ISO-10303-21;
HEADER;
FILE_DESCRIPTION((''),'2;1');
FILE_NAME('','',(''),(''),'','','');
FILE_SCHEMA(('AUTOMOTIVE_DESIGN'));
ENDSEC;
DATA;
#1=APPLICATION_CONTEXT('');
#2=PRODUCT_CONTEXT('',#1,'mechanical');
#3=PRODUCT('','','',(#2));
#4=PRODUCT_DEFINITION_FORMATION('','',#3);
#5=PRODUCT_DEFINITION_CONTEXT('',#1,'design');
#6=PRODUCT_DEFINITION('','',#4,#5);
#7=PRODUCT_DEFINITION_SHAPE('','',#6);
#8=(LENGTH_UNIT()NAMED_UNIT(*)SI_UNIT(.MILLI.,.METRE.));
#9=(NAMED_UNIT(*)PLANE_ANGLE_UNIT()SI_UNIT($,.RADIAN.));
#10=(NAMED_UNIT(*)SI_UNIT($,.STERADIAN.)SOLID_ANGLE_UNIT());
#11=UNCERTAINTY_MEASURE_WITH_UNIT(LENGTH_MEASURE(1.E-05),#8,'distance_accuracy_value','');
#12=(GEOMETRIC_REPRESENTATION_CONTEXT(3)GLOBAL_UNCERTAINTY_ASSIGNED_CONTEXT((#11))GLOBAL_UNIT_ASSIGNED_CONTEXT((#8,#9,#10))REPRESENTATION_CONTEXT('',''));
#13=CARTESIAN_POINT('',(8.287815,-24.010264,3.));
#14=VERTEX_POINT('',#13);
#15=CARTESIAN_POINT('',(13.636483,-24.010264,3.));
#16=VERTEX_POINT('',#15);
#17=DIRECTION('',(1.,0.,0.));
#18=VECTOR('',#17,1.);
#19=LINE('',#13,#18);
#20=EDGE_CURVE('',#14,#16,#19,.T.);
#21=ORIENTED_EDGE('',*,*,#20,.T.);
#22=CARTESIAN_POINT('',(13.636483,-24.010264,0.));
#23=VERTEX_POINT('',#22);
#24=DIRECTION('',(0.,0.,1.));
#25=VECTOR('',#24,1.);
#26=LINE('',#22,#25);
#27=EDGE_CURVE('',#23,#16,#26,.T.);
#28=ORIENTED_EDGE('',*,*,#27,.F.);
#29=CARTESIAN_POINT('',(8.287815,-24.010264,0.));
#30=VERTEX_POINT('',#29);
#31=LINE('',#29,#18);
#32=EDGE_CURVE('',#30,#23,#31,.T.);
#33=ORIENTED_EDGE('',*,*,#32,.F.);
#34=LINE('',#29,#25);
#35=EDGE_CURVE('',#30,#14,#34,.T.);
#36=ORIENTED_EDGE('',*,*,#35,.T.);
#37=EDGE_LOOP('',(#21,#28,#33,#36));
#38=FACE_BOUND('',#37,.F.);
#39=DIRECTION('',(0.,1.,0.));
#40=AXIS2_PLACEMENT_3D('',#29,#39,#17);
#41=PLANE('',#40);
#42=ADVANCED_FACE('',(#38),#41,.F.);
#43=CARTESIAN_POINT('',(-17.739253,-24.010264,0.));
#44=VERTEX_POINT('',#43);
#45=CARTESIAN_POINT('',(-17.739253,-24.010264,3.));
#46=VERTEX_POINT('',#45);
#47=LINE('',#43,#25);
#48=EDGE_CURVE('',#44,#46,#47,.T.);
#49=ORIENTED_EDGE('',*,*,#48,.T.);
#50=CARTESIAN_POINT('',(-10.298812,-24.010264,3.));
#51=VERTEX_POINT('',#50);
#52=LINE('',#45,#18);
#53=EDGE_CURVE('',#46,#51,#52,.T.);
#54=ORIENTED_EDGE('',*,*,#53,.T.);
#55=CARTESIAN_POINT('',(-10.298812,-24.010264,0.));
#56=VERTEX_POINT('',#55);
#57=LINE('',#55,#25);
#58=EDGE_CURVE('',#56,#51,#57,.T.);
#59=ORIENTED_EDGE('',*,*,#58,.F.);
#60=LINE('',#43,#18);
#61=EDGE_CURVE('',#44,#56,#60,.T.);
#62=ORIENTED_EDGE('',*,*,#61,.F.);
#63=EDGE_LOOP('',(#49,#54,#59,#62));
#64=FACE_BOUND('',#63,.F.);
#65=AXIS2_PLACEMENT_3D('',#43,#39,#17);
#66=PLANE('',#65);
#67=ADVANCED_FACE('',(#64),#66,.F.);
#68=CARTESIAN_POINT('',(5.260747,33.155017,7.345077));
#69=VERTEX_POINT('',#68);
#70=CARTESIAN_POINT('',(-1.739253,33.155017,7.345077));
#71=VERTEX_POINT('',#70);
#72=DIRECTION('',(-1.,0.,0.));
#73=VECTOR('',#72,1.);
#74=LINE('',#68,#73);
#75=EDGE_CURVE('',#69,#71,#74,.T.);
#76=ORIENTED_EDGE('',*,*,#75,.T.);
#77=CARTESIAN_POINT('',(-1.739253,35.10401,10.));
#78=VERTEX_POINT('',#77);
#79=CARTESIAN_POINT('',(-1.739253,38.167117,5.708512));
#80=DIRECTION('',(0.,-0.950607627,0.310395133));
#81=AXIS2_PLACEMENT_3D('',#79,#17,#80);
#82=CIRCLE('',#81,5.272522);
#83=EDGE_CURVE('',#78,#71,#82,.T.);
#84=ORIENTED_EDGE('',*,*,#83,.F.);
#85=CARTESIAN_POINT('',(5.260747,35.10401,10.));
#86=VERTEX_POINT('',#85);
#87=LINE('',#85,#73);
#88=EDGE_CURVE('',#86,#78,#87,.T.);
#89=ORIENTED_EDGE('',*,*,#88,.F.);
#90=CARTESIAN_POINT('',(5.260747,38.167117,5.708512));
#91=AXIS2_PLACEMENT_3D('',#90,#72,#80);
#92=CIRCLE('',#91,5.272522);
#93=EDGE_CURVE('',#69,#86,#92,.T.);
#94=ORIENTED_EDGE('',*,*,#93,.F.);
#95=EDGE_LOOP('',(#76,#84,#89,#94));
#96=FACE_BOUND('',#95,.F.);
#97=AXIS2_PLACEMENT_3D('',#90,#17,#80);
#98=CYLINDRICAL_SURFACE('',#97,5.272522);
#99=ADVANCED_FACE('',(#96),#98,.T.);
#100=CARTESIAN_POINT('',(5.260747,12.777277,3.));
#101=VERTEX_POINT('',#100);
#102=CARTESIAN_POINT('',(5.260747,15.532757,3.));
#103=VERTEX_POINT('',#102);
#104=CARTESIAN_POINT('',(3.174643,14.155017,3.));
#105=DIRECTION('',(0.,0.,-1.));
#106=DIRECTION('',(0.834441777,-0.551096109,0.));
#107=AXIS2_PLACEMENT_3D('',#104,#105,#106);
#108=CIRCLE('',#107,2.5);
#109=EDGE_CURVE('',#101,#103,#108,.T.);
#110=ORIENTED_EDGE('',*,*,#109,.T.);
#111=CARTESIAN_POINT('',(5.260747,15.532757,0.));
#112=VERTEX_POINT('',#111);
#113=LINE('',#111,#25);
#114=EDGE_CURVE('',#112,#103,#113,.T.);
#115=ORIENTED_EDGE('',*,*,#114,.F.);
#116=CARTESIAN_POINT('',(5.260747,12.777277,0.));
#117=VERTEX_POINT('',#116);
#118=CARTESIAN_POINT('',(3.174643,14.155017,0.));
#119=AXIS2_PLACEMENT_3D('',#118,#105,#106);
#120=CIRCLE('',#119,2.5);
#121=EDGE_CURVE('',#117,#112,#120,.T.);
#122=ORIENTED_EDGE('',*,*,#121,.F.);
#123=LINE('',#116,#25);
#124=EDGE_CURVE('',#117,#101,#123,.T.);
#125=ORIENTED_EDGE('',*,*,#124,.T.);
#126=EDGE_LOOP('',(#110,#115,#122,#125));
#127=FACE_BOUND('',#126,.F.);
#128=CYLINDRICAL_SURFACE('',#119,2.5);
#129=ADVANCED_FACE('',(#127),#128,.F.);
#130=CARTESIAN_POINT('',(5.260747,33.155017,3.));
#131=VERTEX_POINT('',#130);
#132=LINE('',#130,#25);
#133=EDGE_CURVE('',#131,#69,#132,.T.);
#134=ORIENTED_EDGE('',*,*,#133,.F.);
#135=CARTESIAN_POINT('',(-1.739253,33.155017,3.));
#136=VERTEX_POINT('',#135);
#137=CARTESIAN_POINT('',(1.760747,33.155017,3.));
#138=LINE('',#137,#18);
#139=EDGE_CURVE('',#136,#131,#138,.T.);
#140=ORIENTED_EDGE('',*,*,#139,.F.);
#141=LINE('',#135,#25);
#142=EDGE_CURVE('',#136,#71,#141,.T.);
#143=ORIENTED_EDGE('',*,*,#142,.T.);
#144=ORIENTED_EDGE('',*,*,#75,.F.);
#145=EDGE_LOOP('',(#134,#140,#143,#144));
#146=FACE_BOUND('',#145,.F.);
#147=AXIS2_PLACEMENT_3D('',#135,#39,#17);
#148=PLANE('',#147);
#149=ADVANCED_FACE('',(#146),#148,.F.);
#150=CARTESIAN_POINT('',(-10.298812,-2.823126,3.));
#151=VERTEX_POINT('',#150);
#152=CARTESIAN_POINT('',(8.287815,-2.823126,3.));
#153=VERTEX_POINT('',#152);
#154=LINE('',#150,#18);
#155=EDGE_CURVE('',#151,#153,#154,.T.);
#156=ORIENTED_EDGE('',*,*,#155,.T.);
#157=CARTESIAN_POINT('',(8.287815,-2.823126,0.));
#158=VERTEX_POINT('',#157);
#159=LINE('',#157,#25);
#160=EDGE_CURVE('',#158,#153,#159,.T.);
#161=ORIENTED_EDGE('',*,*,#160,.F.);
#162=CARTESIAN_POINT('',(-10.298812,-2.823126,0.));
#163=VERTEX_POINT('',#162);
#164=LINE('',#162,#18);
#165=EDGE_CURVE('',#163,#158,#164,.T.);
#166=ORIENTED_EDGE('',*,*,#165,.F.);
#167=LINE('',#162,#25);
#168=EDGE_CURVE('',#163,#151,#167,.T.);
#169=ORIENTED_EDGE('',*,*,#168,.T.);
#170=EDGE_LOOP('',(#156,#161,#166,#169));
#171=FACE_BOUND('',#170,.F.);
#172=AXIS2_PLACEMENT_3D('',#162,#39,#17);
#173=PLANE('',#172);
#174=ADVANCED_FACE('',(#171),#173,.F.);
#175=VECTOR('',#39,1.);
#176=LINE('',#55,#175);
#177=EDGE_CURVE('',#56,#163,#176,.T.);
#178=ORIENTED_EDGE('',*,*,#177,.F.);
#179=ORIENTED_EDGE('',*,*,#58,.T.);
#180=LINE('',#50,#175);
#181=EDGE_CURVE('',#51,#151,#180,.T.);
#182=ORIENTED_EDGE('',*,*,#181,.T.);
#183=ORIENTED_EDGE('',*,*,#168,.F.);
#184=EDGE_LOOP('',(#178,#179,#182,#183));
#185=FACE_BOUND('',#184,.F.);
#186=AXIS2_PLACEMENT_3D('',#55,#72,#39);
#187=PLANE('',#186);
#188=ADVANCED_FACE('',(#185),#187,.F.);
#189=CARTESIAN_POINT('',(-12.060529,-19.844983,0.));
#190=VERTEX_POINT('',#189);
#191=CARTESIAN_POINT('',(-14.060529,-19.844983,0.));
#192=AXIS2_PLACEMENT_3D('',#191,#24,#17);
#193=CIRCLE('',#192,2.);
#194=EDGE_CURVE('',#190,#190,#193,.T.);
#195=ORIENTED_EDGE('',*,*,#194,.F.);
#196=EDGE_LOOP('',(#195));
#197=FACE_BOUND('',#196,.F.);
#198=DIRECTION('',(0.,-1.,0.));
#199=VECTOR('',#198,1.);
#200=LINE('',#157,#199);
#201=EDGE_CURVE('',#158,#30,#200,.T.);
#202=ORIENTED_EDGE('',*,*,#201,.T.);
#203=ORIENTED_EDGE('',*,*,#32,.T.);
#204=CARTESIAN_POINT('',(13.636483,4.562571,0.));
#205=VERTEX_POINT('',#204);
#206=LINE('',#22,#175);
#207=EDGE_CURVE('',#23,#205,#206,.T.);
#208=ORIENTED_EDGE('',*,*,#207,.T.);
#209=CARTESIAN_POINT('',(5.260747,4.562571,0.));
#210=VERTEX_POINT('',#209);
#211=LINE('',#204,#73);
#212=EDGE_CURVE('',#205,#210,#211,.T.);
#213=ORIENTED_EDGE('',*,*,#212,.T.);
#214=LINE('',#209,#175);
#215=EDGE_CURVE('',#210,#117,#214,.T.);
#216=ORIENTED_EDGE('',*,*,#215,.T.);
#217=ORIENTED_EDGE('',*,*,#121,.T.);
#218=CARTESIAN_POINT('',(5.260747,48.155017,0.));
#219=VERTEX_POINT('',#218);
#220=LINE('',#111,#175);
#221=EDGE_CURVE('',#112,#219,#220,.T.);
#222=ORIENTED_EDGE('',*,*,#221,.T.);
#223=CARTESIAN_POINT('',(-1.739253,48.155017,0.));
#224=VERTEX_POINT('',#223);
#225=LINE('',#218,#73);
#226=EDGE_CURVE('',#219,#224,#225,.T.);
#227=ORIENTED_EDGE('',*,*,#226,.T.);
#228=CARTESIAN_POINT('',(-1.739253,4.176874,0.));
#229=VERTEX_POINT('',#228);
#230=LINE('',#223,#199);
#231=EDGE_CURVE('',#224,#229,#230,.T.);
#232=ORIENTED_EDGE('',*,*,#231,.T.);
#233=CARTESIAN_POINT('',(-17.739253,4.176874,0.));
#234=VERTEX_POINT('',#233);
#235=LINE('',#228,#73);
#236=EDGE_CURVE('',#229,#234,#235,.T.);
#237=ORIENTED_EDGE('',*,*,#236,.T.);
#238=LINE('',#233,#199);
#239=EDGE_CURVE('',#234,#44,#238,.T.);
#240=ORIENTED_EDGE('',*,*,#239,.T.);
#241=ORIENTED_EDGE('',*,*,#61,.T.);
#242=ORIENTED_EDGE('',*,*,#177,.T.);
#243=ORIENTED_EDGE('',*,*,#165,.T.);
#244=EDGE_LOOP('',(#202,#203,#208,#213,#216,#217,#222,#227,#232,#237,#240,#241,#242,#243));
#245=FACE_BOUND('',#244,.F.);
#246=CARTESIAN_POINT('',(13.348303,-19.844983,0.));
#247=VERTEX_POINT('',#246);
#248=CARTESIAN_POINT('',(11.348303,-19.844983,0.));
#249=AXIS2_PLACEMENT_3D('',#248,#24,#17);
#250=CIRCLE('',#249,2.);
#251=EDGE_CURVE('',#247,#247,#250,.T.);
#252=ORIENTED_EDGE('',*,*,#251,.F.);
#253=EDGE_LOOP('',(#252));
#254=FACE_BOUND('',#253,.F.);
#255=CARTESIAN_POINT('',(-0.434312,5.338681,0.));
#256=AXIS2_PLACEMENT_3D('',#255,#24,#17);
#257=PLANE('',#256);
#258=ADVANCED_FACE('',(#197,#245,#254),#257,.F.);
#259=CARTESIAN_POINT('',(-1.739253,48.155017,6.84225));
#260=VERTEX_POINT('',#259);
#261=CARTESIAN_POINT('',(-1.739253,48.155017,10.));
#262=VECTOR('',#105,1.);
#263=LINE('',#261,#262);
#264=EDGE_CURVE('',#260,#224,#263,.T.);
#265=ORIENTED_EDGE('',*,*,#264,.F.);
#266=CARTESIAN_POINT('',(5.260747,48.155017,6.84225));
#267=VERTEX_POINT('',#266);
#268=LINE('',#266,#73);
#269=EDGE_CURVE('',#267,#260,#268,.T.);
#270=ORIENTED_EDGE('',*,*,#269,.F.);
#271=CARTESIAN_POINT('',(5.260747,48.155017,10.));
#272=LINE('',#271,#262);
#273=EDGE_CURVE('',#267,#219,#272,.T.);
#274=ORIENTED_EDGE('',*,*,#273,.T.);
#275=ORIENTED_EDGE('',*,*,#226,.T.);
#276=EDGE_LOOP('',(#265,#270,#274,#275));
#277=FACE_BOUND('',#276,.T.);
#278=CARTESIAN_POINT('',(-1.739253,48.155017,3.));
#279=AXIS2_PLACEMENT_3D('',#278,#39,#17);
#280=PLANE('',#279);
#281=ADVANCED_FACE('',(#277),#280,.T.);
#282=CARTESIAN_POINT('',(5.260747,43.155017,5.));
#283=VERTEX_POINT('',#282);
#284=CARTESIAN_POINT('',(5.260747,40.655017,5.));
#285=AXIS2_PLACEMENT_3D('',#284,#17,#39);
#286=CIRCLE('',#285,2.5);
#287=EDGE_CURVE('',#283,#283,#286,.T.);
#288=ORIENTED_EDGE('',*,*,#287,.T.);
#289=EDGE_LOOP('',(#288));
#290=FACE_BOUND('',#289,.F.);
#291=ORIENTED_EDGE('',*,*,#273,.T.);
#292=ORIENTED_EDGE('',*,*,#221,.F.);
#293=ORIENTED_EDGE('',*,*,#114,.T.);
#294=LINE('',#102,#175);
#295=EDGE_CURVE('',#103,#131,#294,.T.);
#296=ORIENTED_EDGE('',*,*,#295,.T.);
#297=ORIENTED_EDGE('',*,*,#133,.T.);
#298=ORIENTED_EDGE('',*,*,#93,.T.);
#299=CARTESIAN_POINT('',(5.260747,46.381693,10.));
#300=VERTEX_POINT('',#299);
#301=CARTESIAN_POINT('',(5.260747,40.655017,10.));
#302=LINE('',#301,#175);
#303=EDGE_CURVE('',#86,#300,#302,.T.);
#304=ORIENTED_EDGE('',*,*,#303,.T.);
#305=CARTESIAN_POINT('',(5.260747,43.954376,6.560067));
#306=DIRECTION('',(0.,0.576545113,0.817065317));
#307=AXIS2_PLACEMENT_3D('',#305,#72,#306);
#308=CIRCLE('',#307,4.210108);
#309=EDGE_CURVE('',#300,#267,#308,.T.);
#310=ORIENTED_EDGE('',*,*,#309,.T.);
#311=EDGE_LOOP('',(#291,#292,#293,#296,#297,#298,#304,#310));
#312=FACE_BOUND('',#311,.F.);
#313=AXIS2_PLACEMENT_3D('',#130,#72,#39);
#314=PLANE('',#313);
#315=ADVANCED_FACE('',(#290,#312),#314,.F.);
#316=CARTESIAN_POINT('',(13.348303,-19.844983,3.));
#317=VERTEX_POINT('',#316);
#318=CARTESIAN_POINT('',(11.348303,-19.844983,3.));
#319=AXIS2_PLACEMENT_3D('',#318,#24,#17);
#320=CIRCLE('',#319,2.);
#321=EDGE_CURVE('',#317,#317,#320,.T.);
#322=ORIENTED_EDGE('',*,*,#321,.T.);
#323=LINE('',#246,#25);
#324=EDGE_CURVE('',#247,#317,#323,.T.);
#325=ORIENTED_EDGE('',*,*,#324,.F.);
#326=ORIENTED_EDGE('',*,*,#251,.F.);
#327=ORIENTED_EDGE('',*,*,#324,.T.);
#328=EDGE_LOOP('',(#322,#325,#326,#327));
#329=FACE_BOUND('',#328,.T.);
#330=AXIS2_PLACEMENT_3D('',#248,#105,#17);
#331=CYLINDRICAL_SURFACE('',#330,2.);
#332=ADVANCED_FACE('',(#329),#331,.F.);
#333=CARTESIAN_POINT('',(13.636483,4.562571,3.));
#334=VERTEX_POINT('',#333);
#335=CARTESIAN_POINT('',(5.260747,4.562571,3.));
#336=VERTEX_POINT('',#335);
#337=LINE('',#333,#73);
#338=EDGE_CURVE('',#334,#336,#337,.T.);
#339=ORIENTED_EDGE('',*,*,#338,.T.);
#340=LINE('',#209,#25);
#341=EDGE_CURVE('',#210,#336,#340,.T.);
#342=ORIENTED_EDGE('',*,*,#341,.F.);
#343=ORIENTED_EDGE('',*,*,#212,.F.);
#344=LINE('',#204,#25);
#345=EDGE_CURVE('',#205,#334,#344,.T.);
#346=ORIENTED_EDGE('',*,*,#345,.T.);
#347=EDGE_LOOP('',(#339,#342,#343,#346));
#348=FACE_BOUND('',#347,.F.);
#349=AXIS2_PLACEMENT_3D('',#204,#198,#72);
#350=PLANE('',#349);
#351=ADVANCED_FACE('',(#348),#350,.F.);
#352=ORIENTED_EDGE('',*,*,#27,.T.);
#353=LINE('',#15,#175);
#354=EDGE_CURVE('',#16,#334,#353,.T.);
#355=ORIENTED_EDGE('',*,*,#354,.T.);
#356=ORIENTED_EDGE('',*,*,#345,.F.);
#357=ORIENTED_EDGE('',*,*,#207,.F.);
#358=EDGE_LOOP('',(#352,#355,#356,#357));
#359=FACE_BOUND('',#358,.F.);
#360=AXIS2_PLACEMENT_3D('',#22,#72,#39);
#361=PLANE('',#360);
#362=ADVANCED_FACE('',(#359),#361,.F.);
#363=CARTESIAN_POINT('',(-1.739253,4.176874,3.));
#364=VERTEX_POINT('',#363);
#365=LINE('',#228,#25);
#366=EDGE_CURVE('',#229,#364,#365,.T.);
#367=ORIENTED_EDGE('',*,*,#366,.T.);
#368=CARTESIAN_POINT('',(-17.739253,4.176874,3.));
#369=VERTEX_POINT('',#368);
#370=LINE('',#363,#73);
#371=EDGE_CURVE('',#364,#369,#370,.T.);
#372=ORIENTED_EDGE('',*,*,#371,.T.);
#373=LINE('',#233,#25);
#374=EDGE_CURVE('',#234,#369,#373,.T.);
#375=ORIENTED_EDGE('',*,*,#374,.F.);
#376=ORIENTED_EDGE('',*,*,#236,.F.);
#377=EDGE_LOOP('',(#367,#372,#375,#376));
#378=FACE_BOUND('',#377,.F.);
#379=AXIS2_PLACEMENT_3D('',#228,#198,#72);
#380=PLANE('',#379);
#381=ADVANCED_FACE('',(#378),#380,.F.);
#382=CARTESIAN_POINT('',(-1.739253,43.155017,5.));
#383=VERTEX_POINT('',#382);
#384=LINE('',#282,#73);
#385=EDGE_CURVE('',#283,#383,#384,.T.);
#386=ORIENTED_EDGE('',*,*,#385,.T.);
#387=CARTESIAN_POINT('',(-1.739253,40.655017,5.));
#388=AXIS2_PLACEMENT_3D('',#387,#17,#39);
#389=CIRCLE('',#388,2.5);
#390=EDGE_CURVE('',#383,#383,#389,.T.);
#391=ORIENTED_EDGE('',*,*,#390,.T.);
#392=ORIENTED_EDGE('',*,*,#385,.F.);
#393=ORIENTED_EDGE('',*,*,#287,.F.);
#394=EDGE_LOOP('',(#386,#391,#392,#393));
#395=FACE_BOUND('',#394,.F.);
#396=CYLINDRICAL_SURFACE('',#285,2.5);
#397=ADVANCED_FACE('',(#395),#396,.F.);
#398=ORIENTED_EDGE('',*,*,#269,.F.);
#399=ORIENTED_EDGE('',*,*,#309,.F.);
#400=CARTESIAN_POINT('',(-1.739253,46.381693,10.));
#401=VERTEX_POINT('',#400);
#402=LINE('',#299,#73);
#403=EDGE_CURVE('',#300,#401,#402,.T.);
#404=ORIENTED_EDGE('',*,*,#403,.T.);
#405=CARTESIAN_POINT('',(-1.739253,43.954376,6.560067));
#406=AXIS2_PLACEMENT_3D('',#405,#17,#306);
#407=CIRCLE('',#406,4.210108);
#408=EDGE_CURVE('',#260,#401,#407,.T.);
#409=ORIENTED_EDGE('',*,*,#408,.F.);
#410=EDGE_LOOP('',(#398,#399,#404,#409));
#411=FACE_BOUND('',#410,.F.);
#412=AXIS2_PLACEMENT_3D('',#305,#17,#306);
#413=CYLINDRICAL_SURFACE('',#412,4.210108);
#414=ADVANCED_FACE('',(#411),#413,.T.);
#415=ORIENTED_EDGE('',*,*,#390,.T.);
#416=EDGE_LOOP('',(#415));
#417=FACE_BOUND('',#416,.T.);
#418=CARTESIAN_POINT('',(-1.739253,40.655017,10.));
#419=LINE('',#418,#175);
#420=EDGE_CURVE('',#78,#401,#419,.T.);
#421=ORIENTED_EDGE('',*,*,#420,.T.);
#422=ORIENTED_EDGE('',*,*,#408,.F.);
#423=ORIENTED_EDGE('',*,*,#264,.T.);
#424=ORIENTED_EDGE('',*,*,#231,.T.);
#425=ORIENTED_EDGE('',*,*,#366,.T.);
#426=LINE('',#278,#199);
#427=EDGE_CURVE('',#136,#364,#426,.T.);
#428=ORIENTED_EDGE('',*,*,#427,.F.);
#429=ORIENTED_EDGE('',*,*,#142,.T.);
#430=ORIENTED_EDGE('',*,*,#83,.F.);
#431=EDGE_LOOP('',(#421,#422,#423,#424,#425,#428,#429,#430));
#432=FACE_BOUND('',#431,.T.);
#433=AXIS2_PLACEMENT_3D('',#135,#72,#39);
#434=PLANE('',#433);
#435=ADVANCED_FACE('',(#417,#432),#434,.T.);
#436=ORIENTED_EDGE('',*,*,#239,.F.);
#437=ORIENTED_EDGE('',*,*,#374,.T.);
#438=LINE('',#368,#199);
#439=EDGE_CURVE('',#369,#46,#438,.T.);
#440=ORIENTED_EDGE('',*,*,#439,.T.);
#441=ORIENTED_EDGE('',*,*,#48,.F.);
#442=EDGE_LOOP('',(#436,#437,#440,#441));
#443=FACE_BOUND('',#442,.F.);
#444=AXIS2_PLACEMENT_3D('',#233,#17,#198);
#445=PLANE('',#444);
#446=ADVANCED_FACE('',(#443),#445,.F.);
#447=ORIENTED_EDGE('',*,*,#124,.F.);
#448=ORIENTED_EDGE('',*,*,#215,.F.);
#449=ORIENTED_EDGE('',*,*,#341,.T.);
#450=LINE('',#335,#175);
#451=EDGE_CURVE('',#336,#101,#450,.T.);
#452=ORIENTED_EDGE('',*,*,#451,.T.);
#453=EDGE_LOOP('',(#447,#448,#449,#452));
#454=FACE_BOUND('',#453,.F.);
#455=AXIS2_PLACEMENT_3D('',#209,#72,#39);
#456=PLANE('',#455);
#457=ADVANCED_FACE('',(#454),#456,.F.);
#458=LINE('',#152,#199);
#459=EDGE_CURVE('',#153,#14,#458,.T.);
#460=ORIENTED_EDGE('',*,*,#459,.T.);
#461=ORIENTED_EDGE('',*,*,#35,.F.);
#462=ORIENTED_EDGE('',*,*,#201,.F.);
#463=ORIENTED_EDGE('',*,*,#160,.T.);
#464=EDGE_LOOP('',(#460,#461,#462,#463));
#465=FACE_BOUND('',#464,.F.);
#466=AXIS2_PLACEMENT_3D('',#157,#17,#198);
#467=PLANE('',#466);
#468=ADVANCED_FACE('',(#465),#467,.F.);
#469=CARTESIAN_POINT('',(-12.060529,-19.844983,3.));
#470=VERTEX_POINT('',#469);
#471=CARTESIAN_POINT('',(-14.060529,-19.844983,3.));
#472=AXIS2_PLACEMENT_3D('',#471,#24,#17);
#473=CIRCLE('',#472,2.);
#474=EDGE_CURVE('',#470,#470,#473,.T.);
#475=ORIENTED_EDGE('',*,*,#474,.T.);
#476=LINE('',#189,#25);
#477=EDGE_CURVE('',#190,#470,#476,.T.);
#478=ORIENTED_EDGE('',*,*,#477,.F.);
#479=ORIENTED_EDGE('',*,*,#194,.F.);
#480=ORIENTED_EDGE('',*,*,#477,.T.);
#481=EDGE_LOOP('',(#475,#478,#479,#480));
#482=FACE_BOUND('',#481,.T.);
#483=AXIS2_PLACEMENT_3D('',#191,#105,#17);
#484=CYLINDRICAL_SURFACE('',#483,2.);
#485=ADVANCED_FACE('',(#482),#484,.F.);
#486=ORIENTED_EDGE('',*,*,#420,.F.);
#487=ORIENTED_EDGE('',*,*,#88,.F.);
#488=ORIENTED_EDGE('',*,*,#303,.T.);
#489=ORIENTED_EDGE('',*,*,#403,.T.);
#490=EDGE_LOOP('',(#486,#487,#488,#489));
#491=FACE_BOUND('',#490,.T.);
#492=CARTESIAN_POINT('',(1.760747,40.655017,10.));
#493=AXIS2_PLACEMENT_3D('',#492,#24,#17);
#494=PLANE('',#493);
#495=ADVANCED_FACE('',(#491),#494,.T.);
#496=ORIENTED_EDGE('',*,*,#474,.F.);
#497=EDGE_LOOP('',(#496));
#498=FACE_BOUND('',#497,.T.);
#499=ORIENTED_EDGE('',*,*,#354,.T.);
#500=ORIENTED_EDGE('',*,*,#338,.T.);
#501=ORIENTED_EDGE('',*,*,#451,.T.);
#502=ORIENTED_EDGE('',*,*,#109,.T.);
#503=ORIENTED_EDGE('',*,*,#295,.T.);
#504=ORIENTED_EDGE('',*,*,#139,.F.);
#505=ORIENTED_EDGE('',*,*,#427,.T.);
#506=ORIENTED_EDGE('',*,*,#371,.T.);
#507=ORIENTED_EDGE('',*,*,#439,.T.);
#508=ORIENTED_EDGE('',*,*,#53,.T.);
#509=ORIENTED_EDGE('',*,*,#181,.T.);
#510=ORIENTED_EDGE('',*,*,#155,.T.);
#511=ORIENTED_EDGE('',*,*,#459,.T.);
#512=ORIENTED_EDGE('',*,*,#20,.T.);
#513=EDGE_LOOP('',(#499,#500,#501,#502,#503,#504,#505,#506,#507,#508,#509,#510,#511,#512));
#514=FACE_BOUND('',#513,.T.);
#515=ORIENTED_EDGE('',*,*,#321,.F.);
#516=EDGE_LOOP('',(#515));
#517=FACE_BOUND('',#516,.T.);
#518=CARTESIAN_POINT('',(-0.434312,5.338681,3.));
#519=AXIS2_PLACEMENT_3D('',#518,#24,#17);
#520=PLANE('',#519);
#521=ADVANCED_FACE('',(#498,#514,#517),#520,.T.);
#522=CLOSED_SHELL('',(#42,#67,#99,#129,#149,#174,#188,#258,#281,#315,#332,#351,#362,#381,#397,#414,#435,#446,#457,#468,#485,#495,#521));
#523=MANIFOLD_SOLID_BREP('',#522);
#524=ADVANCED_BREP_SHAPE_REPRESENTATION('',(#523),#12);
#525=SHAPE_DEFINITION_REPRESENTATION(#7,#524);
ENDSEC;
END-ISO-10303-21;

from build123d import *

# Parameters (mm, degrees)
F1_R     = 2
F2_DEPTH = 3
F3_W     = 7
F3_H     = 15
F4_DEPTH = 7
F5_R     = 2.5
F6_DEPTH = 7
F8_DEPTH = 25


with BuildPart() as f2:
    # F1 (on Top) → F2 (new body)
    with BuildSketch(Plane.XY):
        with BuildLine():
            Line((5.260746949, 48.1550168068), (-1.739253051, 48.1550168068))
            Line((-1.739253051, 48.1550168068), (-1.739253051, 4.1768743183))
            Line((-1.739253051, 4.1768743183), (-17.739253051, 4.1768743183))
            Line((-17.739253051, 4.1768743183), (-17.739253051, -24.0102637737))
            Line((-17.739253051, -24.0102637737), (-10.2988117629, -24.0102637737))
            Line((-10.2988117629, -24.0102637737), (-10.2988117629, -2.8231256817))
            Line((-10.2988117629, -2.8231256817), (8.2878154448, -2.8231256817))
            Line((8.2878154448, -2.8231256817), (8.2878154448, -24.0102637737))
            Line((8.2878154448, -24.0102637737), (13.6364829472, -24.0102637737))
            Line((13.6364829472, -24.0102637737), (13.6364829472, 4.5625712545))
            Line((13.6364829472, 4.5625712545), (5.260746949, 4.5625712545))
            Line((5.260746949, 4.5625712545), (5.260746949, 12.7772765343))
            ThreePointArc((5.260746949, 12.7772765343), (0.6746425074, 14.1550168068), (5.260746949, 15.5327570794))
            Line((5.260746949, 15.5327570794), (5.260746949, 48.1550168068))
        make_face()
        with Locations((-14.0605294946, -19.8449831932)):
            Circle(F1_R, mode=Mode.SUBTRACT)
        with Locations((11.3483034751, -19.8449831932)):
            Circle(F1_R, mode=Mode.SUBTRACT)
    extrude(amount=F2_DEPTH)

    # F3 (on face) → F4 (join)
    with BuildSketch(Plane.XY.offset(3)):
        with Locations((1.760746949, 40.6550168068)):
            Rectangle(F3_W, F3_H)
    extrude(amount=F4_DEPTH)

    # F5 (on face) → F6 (cut, through all)
    with BuildSketch(Plane.YZ.offset(5.260746949)):
        with Locations((40.6550168068, 5)):
            Circle(F5_R)
    extrude(amount=-F6_DEPTH, mode=Mode.SUBTRACT)

    # F7 (on face) → F8 (cut)
    with BuildSketch(Plane.YZ.offset(5.260746949)):
        with BuildLine():
            ThreePointArc((33.1550168068, 7.345077116), (33.9168939811, 8.8286237351), (35.1040102541, 10))
            Line((35.1040102541, 10), (33.1550168068, 10))
            Line((33.1550168068, 10), (33.1550168068, 7.345077116))
        make_face()
        with BuildLine():
            Line((48.1550168068, 10), (46.3816933334, 10))
            ThreePointArc((46.3816933334, 10), (47.6252482208, 8.6215486681), (48.1550168068, 6.8422504701))
            Line((48.1550168068, 6.8422504701), (48.1550168068, 10))
        make_face()
    extrude(amount=-F8_DEPTH, mode=Mode.SUBTRACT)


solid = f2.part
